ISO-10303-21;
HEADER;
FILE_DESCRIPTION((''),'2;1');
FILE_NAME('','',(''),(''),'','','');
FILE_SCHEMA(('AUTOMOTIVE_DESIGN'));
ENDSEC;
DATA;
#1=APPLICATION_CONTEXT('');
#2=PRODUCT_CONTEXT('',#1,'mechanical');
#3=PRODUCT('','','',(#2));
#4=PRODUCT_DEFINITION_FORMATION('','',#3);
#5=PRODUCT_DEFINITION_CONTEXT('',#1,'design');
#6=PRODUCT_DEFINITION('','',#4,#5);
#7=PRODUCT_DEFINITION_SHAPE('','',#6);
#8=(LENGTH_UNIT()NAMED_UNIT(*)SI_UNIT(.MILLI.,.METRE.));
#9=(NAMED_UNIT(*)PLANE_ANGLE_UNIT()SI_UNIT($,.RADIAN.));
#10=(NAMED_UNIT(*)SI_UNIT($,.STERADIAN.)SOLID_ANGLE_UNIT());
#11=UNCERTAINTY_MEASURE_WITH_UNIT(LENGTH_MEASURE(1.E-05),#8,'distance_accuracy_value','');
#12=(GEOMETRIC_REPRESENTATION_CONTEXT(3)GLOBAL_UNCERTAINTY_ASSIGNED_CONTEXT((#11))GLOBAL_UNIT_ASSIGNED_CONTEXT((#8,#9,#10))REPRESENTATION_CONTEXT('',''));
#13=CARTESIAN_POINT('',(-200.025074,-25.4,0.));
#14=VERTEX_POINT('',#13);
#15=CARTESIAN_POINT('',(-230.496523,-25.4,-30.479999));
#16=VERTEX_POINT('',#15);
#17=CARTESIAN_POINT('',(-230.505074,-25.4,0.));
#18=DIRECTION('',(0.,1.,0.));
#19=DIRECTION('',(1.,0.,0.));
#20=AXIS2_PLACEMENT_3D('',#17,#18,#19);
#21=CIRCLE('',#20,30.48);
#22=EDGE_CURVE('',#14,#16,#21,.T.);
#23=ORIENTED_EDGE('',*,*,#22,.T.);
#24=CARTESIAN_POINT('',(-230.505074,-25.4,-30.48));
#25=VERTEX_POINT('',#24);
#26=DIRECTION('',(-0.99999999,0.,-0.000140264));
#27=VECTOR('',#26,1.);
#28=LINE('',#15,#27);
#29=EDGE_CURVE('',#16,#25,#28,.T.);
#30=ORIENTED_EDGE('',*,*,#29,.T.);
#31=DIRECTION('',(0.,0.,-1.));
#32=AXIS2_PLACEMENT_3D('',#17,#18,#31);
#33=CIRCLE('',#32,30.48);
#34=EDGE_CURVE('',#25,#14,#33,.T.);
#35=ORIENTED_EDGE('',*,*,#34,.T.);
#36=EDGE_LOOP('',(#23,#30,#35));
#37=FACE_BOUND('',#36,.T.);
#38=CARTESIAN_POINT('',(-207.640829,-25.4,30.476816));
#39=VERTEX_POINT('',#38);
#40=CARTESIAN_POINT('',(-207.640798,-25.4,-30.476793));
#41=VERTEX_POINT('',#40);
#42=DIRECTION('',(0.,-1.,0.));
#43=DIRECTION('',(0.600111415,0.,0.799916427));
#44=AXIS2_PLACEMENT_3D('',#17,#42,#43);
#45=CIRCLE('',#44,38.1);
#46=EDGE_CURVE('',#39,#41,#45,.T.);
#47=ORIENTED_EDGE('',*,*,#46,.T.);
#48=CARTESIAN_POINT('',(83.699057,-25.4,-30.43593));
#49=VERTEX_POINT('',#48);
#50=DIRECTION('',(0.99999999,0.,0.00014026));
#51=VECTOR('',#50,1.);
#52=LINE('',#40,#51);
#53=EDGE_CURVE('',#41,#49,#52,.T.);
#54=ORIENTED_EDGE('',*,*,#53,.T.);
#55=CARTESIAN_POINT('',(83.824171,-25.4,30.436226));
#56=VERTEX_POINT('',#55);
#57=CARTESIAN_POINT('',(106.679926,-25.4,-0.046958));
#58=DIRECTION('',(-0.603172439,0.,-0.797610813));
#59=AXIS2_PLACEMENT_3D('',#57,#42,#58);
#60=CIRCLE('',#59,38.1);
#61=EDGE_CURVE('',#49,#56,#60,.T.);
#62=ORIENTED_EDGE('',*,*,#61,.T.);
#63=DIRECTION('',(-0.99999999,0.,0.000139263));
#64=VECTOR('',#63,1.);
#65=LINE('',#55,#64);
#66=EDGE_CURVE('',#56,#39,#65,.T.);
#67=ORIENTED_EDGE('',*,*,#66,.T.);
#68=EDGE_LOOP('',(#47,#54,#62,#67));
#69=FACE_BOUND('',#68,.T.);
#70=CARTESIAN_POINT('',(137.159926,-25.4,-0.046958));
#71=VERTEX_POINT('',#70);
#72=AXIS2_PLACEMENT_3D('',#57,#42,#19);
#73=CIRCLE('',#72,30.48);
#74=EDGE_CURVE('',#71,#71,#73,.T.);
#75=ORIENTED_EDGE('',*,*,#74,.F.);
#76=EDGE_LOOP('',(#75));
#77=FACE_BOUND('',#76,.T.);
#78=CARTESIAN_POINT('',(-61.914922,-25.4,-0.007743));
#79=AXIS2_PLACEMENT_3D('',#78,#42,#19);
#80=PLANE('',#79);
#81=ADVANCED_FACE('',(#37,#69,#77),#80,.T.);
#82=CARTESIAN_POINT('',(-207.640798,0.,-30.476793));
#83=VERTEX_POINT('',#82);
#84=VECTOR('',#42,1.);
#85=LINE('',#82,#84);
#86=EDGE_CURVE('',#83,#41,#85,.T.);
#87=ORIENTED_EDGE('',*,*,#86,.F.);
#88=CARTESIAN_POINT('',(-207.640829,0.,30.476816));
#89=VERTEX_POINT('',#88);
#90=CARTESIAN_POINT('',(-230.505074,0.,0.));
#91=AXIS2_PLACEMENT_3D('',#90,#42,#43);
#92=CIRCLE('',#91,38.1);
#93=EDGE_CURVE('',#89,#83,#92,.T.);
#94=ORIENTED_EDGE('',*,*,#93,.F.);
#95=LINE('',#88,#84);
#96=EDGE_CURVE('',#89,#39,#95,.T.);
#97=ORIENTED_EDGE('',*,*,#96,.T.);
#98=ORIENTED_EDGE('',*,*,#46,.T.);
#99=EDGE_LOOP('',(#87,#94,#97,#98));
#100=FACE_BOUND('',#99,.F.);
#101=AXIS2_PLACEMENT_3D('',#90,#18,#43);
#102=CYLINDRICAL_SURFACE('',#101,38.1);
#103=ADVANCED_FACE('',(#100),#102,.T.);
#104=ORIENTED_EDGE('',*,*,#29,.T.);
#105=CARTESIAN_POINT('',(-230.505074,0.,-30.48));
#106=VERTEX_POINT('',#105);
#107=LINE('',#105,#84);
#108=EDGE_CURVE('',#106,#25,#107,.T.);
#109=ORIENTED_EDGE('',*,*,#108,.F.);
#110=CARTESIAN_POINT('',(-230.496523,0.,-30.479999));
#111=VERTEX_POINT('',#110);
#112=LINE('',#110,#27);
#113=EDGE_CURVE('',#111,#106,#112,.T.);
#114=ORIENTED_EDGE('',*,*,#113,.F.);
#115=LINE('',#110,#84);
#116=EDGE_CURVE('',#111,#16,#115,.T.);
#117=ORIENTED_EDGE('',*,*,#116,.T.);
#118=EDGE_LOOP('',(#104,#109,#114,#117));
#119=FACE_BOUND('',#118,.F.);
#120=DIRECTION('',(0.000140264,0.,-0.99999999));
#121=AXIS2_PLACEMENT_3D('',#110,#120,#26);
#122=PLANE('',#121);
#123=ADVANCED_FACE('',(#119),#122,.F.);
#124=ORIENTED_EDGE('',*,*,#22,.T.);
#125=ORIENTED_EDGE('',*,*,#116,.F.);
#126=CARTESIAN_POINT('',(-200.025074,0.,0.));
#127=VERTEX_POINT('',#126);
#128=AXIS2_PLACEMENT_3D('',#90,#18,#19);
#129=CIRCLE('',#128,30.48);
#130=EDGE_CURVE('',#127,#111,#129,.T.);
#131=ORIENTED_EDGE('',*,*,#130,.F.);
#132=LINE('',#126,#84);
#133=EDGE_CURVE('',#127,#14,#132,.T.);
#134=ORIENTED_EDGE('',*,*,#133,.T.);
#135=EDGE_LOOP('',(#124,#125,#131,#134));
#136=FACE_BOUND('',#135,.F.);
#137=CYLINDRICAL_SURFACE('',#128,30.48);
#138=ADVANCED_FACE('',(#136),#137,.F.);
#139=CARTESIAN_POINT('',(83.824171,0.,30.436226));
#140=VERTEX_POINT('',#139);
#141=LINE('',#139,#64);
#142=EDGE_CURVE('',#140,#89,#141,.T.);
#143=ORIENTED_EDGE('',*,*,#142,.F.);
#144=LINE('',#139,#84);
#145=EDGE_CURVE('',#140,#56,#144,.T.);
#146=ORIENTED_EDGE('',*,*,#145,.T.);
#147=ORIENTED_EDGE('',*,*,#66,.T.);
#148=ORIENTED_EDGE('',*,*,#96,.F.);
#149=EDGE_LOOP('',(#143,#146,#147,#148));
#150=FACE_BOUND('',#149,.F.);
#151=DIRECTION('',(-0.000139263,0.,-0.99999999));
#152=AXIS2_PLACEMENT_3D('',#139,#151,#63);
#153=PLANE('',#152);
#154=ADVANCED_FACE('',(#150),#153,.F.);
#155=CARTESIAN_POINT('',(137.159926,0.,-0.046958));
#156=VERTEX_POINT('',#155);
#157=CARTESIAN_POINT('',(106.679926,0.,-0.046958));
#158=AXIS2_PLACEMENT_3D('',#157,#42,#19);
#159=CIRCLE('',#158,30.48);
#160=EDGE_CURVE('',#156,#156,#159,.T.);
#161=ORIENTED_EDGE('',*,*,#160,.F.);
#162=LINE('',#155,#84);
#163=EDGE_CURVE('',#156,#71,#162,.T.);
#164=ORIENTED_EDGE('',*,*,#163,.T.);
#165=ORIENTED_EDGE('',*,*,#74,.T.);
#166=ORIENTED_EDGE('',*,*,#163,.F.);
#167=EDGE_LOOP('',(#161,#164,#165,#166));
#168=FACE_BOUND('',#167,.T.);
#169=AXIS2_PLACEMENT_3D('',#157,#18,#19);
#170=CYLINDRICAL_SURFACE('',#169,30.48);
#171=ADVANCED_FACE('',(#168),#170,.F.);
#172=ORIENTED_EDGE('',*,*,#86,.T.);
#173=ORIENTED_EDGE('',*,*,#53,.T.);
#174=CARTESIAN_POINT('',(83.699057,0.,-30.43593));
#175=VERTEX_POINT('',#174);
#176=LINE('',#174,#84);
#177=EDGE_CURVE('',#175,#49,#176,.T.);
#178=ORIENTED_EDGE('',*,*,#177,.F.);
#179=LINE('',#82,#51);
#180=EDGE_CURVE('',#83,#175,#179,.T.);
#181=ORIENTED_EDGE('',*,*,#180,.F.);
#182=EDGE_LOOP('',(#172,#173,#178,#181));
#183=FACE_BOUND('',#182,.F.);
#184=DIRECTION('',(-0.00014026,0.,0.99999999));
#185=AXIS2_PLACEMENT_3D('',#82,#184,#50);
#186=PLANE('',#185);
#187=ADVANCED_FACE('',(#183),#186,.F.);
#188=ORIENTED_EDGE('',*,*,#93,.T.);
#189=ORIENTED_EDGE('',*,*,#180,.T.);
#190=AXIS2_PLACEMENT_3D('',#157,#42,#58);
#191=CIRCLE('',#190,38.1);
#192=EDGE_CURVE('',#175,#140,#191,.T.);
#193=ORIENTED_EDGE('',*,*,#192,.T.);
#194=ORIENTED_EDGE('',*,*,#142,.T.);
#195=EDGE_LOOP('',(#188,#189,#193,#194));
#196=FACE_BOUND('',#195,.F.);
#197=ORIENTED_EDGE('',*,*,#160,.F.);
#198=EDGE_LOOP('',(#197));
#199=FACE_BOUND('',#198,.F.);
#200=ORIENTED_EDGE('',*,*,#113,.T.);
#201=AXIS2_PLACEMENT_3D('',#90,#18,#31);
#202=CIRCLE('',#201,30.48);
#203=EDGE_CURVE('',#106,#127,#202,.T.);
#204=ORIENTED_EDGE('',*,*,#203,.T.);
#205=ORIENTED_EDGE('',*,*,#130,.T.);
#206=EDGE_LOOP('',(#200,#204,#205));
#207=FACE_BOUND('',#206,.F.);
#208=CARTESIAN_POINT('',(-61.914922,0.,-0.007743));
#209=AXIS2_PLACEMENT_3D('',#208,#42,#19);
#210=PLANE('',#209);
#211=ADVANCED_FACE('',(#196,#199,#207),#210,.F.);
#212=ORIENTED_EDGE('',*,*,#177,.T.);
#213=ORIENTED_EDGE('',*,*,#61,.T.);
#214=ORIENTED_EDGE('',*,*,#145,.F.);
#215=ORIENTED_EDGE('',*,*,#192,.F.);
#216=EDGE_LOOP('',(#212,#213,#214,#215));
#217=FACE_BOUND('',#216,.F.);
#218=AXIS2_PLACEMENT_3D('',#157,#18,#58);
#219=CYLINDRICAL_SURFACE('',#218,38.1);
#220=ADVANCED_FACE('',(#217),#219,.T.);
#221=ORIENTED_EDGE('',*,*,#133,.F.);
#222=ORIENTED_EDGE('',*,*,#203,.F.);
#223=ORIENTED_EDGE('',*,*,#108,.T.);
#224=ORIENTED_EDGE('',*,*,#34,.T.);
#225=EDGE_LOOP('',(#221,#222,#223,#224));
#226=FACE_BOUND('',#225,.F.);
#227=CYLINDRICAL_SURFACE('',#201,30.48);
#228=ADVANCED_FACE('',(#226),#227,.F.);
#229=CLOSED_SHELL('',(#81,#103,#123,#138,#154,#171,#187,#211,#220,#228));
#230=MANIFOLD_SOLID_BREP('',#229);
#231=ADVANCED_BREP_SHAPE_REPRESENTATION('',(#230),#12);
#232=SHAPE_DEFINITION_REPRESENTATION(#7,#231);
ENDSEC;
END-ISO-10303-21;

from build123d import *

# Parameters (mm, degrees)
F0_R     = 30.48
F1_DEPTH = 25.4
F2_DEPTH = 25.4


with BuildPart() as f1:
    # F0 (on Front) → F1 (new body)
    with BuildSketch(Plane.XZ):
        with BuildLine():
            Line((83.8241713864, 30.4362256431), (-207.6408286629, 30.4768158622))
            ThreePointArc((-207.6408286629, 30.4768158622), (-268.605073564, -1.90103e-05), (-207.6407982496, -30.4767930456))
            Line((-207.6407982496, -30.4767930456), (83.6990565063, -30.435929576))
            ThreePointArc((83.6990565063, -30.435929576), (144.7798459585, -0.1252670886), (83.8241713864, 30.4362256431))
        make_face()
        with Locations((106.6799264359, -0.0469576079)):
            Circle(F0_R, mode=Mode.SUBTRACT)
        with BuildLine():
            ThreePointArc((-230.5050735641, -30.48), (-252.0576882546, 21.5526146906), (-200.0250735641, 0))
            ThreePointArc((-200.0250735641, 0), (-208.9494361053, -21.5495914984), (-230.496523285, -30.4799988007))
            Line((-230.496523285, -30.4799988007), (-230.5050735641, -30.48))
        make_face(mode=Mode.SUBTRACT)
    extrude(amount=F1_DEPTH)

    # F0 (on Front) → F2 (join)
    with BuildSketch(Plane.XZ):
        with BuildLine():
            Line((83.8241713864, 30.4362256431), (-207.6408286629, 30.4768158622))
            ThreePointArc((-207.6408286629, 30.4768158622), (-268.605073564, -1.90103e-05), (-207.6407982496, -30.4767930456))
            Line((-207.6407982496, -30.4767930456), (83.6990565063, -30.435929576))
            ThreePointArc((83.6990565063, -30.435929576), (144.7798459585, -0.1252670886), (83.8241713864, 30.4362256431))
        make_face()
        with Locations((106.6799264359, -0.0469576079)):
            Circle(F0_R, mode=Mode.SUBTRACT)
        with BuildLine():
            ThreePointArc((-230.5050735641, -30.48), (-252.0576882546, 21.5526146906), (-200.0250735641, 0))
            ThreePointArc((-200.0250735641, 0), (-208.9494361053, -21.5495914984), (-230.496523285, -30.4799988007))
            Line((-230.496523285, -30.4799988007), (-230.5050735641, -30.48))
        make_face(mode=Mode.SUBTRACT)
    extrude(amount=F2_DEPTH)


solid = f1.part
